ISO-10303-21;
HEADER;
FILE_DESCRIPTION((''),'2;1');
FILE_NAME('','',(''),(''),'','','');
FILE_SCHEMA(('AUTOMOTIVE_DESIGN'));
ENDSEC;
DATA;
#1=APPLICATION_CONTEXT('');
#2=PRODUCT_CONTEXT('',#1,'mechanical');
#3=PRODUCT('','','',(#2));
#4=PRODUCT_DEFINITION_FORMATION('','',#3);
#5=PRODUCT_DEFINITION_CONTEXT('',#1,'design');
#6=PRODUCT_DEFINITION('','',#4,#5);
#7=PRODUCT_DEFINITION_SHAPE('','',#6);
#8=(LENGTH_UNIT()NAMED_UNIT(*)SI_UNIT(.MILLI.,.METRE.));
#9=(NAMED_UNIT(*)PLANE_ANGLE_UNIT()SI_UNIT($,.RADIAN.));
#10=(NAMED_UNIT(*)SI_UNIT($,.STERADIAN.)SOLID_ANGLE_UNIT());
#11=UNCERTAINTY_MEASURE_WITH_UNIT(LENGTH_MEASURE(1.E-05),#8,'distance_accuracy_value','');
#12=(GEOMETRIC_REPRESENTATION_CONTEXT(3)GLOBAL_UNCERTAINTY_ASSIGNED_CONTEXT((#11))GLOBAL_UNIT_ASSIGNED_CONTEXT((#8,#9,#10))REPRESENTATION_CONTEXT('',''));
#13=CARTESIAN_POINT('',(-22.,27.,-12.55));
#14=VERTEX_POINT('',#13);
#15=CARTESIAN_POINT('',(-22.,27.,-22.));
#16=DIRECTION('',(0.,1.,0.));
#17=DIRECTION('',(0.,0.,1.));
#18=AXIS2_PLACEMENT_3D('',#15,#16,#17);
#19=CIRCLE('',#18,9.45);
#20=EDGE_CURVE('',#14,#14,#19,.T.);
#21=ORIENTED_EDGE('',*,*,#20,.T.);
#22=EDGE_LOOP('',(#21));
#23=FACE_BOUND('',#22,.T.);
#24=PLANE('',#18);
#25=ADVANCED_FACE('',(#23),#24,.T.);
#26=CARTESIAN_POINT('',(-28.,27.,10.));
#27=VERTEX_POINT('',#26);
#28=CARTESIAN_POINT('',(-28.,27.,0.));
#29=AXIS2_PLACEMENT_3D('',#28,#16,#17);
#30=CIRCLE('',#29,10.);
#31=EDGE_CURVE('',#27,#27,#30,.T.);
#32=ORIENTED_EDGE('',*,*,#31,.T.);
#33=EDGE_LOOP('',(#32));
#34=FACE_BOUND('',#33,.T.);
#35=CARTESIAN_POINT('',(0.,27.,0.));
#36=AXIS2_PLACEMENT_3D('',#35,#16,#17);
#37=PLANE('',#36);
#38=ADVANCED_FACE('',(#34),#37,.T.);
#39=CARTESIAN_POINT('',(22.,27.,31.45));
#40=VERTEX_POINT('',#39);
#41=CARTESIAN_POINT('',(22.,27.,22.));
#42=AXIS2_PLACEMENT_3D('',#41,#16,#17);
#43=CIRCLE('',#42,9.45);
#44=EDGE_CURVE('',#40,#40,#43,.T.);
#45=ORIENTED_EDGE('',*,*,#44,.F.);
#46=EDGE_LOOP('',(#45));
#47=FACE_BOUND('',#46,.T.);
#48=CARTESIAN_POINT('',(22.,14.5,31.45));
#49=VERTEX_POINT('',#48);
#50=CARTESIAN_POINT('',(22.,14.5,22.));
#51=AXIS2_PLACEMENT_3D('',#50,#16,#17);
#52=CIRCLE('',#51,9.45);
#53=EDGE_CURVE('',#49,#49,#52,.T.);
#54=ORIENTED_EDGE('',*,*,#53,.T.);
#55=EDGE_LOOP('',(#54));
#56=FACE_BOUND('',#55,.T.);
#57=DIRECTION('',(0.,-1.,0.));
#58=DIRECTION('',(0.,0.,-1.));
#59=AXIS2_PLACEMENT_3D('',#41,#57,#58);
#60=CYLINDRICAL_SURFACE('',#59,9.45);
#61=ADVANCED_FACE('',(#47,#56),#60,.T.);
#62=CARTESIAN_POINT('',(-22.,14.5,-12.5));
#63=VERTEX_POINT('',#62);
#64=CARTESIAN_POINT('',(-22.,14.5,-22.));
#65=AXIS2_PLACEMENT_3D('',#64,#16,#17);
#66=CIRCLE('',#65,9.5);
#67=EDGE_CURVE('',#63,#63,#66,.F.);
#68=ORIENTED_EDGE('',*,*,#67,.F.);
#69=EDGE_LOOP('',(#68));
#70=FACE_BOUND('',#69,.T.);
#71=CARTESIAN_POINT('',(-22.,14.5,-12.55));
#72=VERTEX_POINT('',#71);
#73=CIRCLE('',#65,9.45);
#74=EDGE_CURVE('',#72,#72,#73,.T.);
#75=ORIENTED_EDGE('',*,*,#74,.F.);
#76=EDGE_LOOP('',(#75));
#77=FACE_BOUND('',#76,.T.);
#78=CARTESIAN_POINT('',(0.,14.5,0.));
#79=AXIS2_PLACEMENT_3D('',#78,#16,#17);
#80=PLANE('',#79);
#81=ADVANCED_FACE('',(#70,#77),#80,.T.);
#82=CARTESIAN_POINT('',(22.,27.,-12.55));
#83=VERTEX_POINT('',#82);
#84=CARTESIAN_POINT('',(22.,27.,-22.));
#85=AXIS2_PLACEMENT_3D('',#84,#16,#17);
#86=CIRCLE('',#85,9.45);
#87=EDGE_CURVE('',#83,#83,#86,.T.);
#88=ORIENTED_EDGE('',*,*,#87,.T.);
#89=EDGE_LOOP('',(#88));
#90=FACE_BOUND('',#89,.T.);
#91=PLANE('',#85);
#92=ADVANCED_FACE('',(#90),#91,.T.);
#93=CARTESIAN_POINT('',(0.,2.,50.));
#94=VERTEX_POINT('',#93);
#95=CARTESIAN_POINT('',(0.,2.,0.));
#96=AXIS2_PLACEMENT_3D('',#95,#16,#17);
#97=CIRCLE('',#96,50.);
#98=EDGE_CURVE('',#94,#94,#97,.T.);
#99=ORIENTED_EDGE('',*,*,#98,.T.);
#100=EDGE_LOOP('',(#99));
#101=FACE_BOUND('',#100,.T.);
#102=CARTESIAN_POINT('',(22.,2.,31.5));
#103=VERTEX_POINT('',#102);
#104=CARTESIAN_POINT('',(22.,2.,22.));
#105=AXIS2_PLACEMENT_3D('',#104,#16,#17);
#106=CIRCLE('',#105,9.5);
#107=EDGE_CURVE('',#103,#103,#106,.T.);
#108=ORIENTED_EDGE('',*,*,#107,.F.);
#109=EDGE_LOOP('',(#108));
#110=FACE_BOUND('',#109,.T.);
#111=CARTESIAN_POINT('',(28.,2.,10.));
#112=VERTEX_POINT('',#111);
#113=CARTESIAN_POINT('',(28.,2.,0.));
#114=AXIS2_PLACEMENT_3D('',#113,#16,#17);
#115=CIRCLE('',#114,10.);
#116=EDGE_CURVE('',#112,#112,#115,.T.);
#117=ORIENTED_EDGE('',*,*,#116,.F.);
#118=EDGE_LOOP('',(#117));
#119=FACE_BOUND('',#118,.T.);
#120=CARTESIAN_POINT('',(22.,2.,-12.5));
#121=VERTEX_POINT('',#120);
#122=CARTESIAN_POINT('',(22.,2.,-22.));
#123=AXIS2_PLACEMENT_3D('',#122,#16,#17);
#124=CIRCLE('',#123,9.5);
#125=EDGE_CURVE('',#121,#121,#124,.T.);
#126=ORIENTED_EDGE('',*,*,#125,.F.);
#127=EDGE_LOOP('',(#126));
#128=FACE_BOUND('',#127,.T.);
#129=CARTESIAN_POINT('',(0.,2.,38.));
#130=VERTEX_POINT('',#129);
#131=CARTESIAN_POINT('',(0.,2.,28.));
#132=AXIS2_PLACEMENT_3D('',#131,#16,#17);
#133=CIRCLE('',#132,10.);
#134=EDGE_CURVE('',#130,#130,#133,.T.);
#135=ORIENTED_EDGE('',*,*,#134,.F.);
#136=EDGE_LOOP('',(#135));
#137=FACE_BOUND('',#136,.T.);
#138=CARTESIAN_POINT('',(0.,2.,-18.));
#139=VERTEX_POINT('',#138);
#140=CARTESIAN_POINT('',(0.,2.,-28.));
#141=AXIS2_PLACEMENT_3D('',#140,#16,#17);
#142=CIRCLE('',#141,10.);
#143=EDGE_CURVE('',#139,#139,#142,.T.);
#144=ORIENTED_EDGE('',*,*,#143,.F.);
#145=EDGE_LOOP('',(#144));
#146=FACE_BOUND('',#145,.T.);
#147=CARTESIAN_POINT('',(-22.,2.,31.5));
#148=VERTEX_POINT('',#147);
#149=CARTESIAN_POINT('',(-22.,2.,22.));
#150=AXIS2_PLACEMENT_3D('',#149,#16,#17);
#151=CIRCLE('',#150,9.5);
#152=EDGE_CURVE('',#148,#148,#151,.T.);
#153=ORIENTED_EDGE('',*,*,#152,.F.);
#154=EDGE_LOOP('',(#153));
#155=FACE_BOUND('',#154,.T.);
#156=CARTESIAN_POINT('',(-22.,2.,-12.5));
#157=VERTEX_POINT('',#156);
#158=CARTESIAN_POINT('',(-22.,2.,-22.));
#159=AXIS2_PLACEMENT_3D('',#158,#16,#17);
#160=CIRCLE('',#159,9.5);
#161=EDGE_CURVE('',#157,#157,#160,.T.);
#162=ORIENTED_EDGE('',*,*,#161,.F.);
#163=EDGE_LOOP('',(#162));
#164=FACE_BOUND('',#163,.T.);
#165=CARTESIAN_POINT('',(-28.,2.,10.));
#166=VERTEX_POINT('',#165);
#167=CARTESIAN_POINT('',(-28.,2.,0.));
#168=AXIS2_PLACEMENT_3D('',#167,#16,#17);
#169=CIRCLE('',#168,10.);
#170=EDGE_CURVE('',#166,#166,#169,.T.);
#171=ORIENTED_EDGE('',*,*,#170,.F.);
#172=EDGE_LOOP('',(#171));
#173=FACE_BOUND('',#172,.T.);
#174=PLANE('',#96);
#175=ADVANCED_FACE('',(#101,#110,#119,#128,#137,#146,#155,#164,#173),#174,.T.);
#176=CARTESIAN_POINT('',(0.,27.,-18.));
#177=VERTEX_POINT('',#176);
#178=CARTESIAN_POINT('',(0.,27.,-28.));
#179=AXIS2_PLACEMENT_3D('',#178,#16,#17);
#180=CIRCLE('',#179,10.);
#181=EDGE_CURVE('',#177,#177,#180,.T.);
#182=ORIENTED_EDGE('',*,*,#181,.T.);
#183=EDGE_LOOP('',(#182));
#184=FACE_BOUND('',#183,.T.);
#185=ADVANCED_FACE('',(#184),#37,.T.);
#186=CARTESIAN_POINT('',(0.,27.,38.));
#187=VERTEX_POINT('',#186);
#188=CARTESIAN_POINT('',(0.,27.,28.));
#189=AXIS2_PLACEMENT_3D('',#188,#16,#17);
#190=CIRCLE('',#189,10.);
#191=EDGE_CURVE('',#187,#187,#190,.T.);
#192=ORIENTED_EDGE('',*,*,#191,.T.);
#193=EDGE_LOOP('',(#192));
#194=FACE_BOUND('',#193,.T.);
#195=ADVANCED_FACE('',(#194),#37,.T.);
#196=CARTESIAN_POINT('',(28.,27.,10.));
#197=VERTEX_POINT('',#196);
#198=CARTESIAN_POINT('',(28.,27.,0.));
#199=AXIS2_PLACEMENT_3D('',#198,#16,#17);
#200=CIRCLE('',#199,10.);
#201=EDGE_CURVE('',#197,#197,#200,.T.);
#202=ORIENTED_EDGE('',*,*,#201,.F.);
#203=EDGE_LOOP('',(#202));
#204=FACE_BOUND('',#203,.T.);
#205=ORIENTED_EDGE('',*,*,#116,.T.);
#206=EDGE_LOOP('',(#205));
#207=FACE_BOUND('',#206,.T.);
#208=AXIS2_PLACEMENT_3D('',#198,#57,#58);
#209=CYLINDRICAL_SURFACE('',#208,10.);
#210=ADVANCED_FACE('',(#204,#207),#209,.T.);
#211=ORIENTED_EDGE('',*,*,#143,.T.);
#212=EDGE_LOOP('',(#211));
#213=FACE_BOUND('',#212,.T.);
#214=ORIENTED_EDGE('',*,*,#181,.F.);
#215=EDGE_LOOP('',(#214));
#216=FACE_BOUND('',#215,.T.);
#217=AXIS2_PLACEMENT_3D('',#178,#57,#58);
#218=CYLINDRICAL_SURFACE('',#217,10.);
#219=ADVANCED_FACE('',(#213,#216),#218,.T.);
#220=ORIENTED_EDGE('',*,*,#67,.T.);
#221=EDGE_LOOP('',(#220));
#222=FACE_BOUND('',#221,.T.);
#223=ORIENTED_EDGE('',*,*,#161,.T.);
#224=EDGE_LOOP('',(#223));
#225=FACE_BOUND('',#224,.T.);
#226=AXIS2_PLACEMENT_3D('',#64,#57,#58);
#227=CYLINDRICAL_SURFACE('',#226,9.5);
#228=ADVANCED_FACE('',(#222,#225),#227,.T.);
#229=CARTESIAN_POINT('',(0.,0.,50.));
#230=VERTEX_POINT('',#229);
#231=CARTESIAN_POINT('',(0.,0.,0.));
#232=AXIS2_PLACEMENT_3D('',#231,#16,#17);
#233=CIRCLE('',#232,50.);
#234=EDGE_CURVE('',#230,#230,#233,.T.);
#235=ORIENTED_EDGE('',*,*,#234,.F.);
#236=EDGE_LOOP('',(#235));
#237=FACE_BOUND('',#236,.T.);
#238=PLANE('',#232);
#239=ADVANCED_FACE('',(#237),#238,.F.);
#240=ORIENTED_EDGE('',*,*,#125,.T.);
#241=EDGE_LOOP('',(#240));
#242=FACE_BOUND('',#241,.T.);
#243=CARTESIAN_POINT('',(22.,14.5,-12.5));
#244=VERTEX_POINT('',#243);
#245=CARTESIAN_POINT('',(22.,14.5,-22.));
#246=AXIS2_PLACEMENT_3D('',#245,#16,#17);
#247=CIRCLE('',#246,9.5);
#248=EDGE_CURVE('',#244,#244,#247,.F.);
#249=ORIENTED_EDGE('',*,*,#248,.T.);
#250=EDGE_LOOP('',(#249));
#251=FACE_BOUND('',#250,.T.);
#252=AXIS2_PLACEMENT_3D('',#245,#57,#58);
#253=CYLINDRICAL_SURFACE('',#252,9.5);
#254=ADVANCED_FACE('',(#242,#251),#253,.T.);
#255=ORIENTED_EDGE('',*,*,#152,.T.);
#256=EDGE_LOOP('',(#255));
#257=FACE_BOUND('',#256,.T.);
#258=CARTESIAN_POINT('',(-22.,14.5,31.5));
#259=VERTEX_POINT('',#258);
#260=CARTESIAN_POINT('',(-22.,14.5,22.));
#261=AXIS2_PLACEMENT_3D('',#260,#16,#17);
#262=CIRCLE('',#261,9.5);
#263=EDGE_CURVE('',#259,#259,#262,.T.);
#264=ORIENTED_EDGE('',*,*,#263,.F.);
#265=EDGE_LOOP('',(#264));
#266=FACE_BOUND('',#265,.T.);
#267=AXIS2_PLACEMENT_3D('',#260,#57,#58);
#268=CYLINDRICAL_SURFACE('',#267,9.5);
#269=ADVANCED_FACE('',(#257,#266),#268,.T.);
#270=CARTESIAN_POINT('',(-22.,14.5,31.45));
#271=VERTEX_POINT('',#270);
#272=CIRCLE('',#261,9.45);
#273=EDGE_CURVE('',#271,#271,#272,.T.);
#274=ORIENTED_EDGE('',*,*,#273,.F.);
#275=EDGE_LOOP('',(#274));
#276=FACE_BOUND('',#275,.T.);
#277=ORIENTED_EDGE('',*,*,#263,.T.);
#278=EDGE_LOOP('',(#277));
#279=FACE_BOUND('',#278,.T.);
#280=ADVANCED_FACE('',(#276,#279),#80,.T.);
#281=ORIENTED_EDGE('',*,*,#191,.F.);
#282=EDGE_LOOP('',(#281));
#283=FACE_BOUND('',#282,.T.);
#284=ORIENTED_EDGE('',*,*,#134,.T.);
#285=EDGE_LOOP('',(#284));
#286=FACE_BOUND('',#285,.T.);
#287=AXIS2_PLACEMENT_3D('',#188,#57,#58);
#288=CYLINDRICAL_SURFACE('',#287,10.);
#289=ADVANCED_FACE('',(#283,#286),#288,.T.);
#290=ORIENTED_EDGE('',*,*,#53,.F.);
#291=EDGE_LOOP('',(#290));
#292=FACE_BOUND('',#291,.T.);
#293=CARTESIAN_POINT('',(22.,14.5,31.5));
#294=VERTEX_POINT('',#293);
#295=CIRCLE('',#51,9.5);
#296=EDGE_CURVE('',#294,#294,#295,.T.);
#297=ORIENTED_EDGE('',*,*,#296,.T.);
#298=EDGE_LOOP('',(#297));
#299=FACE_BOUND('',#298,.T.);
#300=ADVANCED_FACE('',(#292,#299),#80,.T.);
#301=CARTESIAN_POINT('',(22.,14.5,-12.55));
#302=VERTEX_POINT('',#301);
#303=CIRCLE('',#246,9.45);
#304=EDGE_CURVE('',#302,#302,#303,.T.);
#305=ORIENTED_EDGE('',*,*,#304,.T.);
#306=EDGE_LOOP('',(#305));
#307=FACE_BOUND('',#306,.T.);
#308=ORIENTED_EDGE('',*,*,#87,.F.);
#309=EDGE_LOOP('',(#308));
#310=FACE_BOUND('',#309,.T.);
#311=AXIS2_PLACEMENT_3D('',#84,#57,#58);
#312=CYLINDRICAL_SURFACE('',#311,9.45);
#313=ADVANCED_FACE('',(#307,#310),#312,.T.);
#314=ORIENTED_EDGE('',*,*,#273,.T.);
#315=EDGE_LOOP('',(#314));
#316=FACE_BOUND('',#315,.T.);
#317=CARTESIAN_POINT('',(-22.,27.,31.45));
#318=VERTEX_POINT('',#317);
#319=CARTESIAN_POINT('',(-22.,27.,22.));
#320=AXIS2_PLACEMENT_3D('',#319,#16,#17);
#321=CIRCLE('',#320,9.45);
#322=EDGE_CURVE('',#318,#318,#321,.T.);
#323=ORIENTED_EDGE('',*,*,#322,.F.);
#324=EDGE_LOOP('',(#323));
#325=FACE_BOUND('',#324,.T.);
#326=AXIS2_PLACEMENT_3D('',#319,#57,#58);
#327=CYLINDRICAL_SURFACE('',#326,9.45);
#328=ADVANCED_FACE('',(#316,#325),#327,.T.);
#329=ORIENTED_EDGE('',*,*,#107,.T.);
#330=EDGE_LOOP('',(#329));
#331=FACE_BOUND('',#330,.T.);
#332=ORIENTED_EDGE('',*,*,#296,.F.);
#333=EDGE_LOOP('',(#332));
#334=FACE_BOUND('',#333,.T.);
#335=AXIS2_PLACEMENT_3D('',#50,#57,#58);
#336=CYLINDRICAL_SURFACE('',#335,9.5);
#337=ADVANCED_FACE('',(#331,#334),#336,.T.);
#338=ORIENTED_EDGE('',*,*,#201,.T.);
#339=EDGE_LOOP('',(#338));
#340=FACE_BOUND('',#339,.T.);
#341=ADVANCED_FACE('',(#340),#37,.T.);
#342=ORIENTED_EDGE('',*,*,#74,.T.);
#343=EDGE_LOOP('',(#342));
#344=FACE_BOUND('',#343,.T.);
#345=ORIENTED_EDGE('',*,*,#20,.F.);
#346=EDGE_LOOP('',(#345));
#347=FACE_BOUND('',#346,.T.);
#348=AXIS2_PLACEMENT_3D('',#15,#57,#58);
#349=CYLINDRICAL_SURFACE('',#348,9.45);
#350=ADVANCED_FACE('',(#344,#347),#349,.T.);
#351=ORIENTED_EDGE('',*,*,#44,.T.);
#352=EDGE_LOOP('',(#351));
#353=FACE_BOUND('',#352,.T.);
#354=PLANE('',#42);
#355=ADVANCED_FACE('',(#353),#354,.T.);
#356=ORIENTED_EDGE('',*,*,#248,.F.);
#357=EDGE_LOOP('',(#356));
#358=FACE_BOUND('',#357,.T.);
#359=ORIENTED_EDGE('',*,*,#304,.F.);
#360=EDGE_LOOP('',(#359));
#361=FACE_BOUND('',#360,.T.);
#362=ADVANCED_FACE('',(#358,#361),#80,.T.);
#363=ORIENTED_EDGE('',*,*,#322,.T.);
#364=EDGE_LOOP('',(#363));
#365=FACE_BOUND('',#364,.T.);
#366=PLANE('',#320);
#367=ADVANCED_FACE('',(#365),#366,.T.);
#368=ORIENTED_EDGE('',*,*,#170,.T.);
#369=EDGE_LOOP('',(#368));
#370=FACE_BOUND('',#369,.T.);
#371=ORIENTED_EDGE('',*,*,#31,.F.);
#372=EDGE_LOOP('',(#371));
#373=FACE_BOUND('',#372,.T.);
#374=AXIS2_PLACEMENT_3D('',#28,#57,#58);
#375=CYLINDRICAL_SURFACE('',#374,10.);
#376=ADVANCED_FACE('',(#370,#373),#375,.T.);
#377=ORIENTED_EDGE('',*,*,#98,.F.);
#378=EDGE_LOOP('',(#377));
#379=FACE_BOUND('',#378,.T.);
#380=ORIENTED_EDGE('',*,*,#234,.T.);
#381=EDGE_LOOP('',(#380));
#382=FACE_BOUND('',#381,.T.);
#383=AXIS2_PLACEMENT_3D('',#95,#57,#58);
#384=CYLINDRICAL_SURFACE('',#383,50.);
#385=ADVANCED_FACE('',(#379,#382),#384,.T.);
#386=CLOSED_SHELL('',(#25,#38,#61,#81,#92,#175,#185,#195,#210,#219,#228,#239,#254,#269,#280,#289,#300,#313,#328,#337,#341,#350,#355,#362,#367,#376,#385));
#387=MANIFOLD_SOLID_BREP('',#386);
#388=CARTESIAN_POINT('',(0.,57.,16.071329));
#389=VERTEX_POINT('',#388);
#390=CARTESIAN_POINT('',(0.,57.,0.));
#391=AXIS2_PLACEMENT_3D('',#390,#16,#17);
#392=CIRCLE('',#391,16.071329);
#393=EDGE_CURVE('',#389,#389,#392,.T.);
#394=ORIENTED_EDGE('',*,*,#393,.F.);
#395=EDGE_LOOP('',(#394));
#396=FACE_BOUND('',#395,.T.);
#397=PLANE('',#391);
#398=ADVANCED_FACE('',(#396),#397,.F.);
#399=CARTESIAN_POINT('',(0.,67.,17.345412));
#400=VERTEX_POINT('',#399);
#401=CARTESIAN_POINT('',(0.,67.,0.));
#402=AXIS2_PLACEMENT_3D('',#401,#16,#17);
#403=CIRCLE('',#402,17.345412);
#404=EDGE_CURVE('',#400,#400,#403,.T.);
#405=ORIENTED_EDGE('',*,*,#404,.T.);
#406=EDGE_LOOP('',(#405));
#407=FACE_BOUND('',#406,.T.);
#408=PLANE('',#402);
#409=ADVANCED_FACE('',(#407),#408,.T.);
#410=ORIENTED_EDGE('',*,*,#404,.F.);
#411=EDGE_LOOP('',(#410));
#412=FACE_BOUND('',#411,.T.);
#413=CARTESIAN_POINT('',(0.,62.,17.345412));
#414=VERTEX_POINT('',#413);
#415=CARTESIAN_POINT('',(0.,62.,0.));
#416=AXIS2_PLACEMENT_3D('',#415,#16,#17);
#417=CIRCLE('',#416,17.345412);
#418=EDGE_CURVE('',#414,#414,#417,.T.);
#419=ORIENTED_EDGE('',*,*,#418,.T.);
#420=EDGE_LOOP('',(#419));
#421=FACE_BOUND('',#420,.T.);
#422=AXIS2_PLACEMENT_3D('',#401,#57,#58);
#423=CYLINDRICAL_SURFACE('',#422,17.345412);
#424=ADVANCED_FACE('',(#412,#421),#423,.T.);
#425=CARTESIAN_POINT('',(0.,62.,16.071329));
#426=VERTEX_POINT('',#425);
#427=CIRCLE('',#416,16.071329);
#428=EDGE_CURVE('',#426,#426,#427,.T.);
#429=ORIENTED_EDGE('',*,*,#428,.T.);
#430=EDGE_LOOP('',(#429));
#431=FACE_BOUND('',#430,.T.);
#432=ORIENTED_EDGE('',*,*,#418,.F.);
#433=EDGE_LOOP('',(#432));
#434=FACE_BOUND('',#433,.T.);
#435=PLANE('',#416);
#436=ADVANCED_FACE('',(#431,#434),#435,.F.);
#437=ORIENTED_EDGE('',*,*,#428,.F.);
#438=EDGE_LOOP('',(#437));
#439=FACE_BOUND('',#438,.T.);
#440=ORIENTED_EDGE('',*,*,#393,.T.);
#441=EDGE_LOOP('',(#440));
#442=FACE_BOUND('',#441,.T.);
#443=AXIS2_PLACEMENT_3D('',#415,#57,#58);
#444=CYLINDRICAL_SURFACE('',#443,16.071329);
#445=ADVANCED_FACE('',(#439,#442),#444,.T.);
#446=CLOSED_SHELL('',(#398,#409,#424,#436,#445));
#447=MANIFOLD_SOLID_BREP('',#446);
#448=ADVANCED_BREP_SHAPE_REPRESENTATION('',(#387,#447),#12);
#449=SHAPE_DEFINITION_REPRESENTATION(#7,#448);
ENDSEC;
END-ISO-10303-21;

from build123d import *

# Parameters (mm, degrees)
SKETCH1_R           = 50
BOSS_EXTRUDE1_DEPTH = 2
SKETCH2_R           = 10
BOSS_EXTRUDE2_DEPTH = 25
SKETCH2_3_R         = 9.5
BOSS_EXTRUDE3_DEPTH = 12.5
SKETCH5_R           = 9.45
BOSS_EXTRUDE4_DEPTH = 12.5
SKETCH6_R           = 16.071329463
BOSS_EXTRUDE5_DEPTH = 5
SKETCH7_R           = 17.345412176
BOSS_EXTRUDE6_DEPTH = 5


with BuildPart() as part:
    # Sketch1 → Boss-Extrude1 (new body)
    with BuildSketch(Plane(origin=(0, 0, 0), x_dir=(1, 0, 0), z_dir=(0, 1, 0))):
        Circle(SKETCH1_R)
    extrude(amount=BOSS_EXTRUDE1_DEPTH)

    # Sketch2 → Boss-Extrude2 (add)
    with BuildSketch(Plane(origin=(0, 2, 0), x_dir=(1, 0, 0), z_dir=(0, 1, 0))):
        with Locations((28, 0)):
            Circle(SKETCH2_R)
        with Locations((0, 28)):
            Circle(SKETCH2_R)
        with Locations((-28, 0)):
            Circle(SKETCH2_R)
        with Locations((0, -28)):
            Circle(SKETCH2_R)
    extrude(amount=BOSS_EXTRUDE2_DEPTH)

    # Sketch2<3> → Boss-Extrude3 (add)
    with BuildSketch(Plane(origin=(0, 2, 0), x_dir=(1, 0, 0), z_dir=(0, 1, 0))):
        with Locations((22, -22)):
            Circle(SKETCH2_3_R)
        with Locations((-22, -22)):
            Circle(SKETCH2_3_R)
        with Locations((22, 22)):
            Circle(SKETCH2_3_R)
        with Locations((-22, 22)):
            Circle(SKETCH2_3_R)
    extrude(amount=BOSS_EXTRUDE3_DEPTH)

    # Sketch5 → Boss-Extrude4 (add)
    with BuildSketch(Plane(origin=(0, 14.5, 0), x_dir=(1, 0, 0), z_dir=(0, 1, 0))):
        with Locations((-22, -22)):
            Circle(SKETCH5_R)
        with Locations((22, 22)):
            Circle(SKETCH5_R)
        with Locations((22, -22)):
            Circle(SKETCH5_R)
        with Locations((-22, 22)):
            Circle(SKETCH5_R)
    extrude(amount=BOSS_EXTRUDE4_DEPTH)


with BuildPart() as body_2:
    # Sketch6 → Boss-Extrude5 (new body)
    with BuildSketch(Plane(origin=(0, 57, 0), x_dir=(1, 0, 0), z_dir=(0, 1, 0))):
        Circle(SKETCH6_R)
    extrude(amount=BOSS_EXTRUDE5_DEPTH)

    # Sketch7 → Boss-Extrude6 (add)
    with BuildSketch(Plane(origin=(0, 62, 0), x_dir=(1, 0, 0), z_dir=(0, 1, 0))):
        Circle(SKETCH7_R)
    extrude(amount=BOSS_EXTRUDE6_DEPTH)


solid = Compound([part.part, body_2.part])
